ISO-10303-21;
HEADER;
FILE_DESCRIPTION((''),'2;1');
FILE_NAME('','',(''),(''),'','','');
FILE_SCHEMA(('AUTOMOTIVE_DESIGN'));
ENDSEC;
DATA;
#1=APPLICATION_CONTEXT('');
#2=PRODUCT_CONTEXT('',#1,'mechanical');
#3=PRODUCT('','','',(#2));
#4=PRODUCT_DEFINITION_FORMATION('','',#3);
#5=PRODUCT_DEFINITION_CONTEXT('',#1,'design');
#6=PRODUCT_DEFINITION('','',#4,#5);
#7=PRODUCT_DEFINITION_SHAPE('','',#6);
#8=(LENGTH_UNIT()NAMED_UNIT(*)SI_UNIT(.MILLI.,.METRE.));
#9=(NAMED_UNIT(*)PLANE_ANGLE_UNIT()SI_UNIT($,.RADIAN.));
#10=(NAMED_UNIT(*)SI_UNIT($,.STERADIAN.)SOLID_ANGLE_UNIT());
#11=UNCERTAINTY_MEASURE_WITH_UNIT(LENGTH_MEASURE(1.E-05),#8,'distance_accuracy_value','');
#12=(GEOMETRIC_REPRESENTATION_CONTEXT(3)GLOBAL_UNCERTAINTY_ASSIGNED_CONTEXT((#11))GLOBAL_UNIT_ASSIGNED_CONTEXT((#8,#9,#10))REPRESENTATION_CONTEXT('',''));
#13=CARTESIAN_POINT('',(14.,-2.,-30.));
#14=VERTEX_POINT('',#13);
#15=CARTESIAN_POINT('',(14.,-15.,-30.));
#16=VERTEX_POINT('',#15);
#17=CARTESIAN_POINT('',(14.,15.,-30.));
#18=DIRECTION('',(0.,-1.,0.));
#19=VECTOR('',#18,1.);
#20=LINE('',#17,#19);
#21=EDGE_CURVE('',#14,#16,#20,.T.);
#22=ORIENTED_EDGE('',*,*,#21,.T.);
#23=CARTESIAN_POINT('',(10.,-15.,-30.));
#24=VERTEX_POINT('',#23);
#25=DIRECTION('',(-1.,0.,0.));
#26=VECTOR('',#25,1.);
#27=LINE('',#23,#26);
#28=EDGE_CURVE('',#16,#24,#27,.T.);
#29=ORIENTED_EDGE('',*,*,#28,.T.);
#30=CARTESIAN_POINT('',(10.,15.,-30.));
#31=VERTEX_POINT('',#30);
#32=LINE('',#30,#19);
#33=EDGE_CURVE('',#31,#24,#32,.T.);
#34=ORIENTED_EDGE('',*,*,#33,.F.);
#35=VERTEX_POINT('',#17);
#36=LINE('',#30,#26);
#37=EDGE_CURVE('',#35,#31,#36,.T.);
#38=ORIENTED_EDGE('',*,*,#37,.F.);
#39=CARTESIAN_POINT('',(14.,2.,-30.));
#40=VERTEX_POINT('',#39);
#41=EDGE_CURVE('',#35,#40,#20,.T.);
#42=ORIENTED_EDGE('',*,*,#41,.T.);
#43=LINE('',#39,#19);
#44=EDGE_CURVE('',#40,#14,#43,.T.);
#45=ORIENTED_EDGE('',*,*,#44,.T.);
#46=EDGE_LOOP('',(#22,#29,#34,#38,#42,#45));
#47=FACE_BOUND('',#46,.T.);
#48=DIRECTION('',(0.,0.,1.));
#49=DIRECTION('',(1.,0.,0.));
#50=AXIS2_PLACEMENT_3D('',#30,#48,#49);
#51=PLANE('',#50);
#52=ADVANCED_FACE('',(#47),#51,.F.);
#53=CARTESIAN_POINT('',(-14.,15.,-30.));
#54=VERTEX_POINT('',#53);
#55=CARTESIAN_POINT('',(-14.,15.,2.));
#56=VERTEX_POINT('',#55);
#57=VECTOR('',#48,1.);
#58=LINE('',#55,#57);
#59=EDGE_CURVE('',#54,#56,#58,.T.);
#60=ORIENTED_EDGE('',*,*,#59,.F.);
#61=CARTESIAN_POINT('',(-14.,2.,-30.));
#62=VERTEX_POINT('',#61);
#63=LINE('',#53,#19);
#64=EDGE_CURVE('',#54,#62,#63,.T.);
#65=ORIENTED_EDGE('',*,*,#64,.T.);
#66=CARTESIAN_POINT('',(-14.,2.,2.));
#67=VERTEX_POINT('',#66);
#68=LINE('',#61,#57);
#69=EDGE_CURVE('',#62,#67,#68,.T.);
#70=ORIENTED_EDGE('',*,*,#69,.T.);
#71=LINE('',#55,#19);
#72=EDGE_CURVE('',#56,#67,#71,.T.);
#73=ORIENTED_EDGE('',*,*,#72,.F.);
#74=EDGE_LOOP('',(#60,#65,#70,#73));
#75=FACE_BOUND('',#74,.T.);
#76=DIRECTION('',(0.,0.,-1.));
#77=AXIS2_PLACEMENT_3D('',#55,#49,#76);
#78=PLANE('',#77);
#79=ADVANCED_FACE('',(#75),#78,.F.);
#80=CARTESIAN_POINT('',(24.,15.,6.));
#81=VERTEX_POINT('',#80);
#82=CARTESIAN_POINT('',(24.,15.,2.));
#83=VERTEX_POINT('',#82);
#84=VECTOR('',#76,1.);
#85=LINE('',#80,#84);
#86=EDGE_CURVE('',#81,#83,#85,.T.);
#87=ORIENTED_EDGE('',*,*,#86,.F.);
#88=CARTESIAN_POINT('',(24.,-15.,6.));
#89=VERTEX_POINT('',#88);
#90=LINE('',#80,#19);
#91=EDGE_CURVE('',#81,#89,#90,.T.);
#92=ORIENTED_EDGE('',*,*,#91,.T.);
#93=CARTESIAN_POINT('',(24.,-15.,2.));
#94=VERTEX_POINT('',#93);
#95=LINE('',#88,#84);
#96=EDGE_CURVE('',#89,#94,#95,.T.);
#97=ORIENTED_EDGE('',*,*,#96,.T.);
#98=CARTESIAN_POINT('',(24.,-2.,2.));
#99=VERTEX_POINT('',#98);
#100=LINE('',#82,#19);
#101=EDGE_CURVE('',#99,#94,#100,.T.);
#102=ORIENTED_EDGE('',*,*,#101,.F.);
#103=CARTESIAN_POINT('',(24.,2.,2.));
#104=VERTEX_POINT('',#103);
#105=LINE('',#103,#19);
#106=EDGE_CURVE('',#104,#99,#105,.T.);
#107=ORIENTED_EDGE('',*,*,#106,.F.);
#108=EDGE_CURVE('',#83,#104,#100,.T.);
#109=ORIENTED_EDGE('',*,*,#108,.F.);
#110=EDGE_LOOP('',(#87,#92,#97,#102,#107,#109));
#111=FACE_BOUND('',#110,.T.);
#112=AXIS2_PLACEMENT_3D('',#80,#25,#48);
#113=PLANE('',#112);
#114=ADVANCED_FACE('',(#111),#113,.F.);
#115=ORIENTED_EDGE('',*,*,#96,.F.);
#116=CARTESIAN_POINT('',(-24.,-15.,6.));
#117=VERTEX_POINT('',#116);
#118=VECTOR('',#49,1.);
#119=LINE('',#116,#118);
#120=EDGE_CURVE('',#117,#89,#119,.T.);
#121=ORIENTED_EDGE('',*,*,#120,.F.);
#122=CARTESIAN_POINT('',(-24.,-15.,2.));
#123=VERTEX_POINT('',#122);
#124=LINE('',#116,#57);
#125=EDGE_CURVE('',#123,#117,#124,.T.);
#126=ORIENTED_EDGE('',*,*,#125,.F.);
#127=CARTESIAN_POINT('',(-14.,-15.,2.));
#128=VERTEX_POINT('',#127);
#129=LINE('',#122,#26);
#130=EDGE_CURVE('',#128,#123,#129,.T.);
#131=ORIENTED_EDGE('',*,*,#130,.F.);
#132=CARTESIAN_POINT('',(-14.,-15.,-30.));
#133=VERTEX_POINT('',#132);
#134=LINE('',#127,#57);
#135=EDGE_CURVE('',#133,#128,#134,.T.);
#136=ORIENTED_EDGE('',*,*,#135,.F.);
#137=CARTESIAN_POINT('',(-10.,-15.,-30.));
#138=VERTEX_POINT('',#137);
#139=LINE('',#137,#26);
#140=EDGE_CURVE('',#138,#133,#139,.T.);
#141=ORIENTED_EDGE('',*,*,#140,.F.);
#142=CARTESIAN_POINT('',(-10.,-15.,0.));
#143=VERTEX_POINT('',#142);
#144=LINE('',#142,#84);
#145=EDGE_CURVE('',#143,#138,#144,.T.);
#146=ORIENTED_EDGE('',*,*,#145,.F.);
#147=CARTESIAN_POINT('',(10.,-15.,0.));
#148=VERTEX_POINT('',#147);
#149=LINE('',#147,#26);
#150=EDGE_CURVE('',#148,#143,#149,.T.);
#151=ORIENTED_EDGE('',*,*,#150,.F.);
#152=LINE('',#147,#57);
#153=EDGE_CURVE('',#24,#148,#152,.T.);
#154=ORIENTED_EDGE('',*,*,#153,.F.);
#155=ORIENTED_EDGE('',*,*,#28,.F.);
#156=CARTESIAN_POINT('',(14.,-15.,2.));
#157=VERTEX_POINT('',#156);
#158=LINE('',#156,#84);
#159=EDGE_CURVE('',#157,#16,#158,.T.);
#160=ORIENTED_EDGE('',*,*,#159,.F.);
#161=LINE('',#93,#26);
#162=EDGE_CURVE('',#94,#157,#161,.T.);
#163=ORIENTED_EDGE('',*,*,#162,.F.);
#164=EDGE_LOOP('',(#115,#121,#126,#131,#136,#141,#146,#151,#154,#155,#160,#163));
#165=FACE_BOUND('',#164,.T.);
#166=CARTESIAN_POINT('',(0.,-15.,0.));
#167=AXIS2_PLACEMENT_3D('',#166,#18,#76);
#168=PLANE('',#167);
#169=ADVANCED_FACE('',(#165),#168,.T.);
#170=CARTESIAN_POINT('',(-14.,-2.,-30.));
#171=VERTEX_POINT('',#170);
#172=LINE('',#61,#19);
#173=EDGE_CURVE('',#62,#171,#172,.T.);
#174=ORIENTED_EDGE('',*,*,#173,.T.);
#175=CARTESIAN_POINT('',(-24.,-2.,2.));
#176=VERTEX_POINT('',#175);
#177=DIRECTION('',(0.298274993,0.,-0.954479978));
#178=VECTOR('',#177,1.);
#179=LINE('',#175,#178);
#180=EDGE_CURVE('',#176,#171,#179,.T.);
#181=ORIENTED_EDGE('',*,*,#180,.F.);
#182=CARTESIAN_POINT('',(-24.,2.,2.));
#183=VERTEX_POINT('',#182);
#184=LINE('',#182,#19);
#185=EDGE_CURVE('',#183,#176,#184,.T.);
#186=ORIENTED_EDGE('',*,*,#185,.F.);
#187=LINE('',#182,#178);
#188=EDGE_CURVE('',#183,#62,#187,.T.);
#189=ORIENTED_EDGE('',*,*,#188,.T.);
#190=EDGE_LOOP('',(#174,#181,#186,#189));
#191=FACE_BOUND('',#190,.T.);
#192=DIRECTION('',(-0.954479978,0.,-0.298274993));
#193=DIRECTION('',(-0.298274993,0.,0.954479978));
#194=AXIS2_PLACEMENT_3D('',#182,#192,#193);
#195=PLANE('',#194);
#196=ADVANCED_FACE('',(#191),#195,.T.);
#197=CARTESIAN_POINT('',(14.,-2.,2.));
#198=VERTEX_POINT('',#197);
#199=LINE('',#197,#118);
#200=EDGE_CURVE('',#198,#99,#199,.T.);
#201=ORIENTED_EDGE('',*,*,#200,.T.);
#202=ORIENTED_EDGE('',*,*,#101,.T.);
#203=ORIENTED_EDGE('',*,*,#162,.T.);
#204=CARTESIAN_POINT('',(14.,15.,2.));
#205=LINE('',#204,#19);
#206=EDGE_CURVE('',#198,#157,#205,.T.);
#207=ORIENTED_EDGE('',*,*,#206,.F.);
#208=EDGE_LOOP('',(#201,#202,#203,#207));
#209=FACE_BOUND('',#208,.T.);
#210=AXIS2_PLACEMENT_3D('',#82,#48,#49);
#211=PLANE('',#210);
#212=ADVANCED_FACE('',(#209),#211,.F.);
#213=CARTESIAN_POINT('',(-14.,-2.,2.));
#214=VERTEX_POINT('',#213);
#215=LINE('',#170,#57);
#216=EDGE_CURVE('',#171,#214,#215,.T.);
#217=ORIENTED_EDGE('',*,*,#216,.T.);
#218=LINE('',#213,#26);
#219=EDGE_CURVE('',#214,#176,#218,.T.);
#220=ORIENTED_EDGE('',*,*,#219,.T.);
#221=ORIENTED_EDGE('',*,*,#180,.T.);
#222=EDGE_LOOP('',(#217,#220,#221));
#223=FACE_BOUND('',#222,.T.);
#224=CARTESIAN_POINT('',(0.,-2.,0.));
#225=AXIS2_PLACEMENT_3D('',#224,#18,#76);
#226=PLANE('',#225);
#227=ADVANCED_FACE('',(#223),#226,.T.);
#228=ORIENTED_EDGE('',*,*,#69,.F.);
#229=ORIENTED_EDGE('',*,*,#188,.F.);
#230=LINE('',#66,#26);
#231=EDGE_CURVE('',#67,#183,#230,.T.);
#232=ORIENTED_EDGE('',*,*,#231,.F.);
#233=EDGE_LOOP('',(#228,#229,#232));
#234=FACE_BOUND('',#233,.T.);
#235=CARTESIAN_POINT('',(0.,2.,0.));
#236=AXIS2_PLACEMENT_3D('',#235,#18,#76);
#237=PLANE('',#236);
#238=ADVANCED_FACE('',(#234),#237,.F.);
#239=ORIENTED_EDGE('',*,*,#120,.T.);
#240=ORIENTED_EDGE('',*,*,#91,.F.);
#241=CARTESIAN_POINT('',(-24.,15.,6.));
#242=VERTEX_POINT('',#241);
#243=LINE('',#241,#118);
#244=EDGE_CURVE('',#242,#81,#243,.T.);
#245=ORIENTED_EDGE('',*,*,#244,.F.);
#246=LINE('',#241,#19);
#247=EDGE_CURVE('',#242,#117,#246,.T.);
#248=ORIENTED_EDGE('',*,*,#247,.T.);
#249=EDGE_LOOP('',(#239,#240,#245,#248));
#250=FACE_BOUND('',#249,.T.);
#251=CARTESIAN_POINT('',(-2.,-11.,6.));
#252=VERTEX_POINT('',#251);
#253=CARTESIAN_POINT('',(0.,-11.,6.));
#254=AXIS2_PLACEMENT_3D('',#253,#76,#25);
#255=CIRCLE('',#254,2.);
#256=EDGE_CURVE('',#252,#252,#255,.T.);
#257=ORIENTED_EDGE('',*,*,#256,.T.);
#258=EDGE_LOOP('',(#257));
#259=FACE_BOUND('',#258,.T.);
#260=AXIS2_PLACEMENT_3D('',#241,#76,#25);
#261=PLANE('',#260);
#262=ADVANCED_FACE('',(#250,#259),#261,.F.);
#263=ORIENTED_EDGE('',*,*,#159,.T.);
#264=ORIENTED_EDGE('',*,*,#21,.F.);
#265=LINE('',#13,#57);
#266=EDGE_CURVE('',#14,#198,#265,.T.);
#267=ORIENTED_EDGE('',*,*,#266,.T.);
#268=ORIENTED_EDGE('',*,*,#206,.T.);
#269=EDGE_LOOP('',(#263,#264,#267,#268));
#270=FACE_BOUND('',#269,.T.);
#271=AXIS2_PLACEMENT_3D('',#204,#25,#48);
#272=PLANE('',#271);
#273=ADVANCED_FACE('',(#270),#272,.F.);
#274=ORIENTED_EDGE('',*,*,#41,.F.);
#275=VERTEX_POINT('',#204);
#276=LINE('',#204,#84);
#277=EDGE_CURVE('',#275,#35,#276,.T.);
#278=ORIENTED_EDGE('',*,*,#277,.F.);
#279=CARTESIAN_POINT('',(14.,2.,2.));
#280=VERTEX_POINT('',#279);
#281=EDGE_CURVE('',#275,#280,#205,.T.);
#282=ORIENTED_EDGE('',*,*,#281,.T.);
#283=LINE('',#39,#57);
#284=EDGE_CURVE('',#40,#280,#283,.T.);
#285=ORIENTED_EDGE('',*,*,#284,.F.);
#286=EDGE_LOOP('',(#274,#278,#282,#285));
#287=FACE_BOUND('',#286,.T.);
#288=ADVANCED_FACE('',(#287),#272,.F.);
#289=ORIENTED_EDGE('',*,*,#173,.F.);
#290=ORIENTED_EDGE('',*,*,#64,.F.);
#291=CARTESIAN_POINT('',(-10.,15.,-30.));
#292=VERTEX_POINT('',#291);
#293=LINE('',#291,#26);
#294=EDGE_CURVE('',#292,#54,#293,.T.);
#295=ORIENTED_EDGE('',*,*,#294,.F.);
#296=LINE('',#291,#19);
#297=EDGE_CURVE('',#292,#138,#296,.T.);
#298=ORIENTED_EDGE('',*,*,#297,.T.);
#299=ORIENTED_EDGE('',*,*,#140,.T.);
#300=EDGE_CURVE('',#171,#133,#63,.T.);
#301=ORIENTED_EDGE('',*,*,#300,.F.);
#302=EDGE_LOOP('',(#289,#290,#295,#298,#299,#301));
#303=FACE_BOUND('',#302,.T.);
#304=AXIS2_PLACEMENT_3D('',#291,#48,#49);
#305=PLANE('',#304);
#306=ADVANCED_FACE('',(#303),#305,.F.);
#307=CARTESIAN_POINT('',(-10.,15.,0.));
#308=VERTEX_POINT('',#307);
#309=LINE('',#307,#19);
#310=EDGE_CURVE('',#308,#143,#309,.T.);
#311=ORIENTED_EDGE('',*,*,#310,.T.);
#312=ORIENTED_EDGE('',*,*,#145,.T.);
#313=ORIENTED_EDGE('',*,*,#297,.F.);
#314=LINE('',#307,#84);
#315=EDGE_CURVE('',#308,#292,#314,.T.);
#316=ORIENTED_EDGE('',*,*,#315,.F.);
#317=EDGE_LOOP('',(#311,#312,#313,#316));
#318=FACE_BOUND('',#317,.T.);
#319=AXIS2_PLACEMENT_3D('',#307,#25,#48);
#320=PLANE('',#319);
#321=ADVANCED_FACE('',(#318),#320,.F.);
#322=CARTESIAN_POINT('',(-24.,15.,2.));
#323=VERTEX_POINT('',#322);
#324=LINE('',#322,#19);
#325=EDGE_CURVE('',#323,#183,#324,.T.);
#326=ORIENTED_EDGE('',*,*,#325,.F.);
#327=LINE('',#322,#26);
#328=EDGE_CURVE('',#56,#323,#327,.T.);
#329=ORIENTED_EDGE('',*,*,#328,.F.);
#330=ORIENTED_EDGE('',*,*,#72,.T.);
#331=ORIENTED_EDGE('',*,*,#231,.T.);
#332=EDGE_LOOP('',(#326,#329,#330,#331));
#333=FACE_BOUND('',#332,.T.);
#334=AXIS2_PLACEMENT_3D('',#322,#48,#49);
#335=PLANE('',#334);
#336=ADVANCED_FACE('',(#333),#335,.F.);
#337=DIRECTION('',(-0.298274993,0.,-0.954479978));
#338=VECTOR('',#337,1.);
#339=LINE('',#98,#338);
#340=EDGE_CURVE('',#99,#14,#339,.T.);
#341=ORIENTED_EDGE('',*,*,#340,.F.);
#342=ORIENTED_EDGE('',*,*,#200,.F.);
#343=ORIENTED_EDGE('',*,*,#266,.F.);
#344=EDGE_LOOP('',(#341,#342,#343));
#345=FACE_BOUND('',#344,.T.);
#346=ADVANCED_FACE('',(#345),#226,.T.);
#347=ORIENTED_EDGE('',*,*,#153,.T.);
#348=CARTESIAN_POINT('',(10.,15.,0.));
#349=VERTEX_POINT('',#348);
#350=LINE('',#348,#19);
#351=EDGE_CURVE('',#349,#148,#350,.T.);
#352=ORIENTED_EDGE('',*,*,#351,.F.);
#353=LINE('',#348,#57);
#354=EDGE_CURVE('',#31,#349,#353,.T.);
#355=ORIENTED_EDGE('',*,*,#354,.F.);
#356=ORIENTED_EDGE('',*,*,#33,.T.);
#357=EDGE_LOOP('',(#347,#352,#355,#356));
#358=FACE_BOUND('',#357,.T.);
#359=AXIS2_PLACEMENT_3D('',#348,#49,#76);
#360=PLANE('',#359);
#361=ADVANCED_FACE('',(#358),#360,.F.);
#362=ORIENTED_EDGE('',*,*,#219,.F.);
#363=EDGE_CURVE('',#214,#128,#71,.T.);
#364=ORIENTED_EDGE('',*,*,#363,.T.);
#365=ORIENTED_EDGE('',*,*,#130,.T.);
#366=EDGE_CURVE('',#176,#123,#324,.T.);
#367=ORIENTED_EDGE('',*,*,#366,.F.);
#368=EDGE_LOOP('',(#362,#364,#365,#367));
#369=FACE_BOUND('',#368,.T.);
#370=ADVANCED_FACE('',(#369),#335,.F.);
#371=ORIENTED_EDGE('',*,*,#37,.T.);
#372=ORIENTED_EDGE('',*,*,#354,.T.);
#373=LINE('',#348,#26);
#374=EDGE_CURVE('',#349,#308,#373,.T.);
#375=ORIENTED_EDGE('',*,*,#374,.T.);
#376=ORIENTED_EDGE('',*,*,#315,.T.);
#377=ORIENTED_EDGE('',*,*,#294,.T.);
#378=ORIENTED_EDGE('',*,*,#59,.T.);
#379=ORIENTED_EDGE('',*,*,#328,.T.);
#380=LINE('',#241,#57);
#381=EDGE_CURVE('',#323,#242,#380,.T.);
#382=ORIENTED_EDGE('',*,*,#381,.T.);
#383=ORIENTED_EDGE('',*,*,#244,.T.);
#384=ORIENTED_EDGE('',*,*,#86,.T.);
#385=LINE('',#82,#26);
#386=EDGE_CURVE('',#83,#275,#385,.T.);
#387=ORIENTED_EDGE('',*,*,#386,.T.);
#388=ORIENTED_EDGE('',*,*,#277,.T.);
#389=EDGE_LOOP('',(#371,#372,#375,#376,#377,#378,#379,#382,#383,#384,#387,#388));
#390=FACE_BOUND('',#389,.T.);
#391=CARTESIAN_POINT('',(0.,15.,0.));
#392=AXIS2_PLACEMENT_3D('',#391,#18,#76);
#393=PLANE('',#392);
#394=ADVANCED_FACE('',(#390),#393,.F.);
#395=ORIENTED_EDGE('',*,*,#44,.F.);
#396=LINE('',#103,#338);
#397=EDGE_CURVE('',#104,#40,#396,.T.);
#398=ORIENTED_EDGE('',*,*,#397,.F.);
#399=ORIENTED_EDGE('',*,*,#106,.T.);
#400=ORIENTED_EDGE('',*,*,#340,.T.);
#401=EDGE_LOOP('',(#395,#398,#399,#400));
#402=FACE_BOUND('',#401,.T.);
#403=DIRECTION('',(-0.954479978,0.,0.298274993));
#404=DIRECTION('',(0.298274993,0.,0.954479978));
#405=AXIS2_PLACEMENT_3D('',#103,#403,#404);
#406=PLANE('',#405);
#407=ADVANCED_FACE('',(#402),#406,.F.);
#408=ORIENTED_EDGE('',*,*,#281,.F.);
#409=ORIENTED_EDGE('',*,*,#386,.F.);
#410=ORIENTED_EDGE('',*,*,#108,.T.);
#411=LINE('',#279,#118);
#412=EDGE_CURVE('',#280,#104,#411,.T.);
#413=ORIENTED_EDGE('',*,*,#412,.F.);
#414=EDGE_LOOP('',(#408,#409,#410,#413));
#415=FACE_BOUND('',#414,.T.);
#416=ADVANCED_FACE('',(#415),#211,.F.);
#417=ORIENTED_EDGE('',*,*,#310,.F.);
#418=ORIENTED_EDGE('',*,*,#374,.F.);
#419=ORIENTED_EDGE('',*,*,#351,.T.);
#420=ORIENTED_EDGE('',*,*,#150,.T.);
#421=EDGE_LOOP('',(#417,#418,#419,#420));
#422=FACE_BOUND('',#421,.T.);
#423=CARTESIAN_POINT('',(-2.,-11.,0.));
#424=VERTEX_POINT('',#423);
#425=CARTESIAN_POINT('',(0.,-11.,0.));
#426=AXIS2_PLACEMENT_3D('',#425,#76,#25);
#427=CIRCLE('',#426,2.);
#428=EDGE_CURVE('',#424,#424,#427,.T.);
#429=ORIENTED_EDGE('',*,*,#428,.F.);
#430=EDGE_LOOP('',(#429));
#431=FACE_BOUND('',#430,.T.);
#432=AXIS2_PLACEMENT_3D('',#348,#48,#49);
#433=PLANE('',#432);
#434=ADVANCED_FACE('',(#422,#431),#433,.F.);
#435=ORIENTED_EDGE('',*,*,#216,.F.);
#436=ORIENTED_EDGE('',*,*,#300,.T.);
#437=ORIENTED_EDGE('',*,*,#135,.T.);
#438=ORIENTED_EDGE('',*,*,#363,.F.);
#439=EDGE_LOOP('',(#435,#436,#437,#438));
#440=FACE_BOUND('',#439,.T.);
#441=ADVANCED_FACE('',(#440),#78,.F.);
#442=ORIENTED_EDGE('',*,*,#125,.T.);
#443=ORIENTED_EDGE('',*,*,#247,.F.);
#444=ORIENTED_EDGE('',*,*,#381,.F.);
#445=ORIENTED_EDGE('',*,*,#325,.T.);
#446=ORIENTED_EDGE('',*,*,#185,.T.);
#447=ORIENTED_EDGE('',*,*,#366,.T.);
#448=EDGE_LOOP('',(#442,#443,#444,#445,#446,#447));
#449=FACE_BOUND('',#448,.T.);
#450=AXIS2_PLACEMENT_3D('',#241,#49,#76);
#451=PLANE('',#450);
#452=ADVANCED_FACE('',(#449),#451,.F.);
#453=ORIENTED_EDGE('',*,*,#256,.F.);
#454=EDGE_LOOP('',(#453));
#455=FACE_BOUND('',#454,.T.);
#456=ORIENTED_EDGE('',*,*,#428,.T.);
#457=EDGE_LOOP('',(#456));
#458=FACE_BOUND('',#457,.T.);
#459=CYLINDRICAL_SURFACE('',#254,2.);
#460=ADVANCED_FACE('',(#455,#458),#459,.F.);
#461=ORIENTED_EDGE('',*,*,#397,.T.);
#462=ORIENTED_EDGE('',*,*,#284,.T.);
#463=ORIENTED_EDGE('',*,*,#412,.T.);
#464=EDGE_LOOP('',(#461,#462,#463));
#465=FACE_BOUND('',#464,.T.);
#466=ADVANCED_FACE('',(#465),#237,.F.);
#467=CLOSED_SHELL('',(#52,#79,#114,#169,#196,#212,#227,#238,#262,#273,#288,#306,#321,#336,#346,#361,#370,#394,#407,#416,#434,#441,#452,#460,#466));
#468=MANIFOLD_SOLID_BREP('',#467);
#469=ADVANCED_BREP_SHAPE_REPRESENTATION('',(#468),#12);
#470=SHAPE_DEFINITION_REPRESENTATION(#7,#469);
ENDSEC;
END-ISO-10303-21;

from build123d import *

# Parameters (mm, degrees)
BOSS_EXTRUDE1_DEPTH = 15
BOSS_EXTRUDE2_DEPTH = 2
SKETCH3_R           = 2
CUT_EXTRUDE1_DEPTH  = 42.243181255


with BuildPart() as part:
    # Sketch1 → Boss-Extrude1 (new, symmetric)
    with BuildSketch(Plane(origin=(0, 0, 0), x_dir=(1, 0, 0), z_dir=(0, 1, 0))):
        Polygon((10, 0), (-10, 0), (-10, 30), (-14, 30), (-14, -2), (-24, -2), (-24, -6), (24, -6), (24, -2), (14, -2), (14, 30), (10, 30), align=None)
    extrude(amount=BOSS_EXTRUDE1_DEPTH, both=True)

    # Sketch2 → Boss-Extrude2 (add, symmetric)
    with BuildSketch(Plane(origin=(0, 0, 0), x_dir=(1, 0, 0), z_dir=(0, 1, 0))):
        Polygon((14, 30), (14, -2), (24, -2), align=None)
    boss_extrude2 = extrude(amount=BOSS_EXTRUDE2_DEPTH, both=True)

    # Mirror1: Boss-Extrude2 across plane
    add(boss_extrude2.mirror(Plane(origin=(0, 0, 0), x_dir=(0, 0, 1), z_dir=(1, 0, 0))))

    # Sketch3 → Cut-Extrude1 (cut, through all)
    with BuildSketch(Plane(origin=(0, 0, 0), x_dir=(-1, 0, 0), z_dir=(0, 0, -1))):
        with Locations((0, -11)):
            Circle(SKETCH3_R)
    extrude(amount=-CUT_EXTRUDE1_DEPTH, mode=Mode.SUBTRACT)


solid = part.part
